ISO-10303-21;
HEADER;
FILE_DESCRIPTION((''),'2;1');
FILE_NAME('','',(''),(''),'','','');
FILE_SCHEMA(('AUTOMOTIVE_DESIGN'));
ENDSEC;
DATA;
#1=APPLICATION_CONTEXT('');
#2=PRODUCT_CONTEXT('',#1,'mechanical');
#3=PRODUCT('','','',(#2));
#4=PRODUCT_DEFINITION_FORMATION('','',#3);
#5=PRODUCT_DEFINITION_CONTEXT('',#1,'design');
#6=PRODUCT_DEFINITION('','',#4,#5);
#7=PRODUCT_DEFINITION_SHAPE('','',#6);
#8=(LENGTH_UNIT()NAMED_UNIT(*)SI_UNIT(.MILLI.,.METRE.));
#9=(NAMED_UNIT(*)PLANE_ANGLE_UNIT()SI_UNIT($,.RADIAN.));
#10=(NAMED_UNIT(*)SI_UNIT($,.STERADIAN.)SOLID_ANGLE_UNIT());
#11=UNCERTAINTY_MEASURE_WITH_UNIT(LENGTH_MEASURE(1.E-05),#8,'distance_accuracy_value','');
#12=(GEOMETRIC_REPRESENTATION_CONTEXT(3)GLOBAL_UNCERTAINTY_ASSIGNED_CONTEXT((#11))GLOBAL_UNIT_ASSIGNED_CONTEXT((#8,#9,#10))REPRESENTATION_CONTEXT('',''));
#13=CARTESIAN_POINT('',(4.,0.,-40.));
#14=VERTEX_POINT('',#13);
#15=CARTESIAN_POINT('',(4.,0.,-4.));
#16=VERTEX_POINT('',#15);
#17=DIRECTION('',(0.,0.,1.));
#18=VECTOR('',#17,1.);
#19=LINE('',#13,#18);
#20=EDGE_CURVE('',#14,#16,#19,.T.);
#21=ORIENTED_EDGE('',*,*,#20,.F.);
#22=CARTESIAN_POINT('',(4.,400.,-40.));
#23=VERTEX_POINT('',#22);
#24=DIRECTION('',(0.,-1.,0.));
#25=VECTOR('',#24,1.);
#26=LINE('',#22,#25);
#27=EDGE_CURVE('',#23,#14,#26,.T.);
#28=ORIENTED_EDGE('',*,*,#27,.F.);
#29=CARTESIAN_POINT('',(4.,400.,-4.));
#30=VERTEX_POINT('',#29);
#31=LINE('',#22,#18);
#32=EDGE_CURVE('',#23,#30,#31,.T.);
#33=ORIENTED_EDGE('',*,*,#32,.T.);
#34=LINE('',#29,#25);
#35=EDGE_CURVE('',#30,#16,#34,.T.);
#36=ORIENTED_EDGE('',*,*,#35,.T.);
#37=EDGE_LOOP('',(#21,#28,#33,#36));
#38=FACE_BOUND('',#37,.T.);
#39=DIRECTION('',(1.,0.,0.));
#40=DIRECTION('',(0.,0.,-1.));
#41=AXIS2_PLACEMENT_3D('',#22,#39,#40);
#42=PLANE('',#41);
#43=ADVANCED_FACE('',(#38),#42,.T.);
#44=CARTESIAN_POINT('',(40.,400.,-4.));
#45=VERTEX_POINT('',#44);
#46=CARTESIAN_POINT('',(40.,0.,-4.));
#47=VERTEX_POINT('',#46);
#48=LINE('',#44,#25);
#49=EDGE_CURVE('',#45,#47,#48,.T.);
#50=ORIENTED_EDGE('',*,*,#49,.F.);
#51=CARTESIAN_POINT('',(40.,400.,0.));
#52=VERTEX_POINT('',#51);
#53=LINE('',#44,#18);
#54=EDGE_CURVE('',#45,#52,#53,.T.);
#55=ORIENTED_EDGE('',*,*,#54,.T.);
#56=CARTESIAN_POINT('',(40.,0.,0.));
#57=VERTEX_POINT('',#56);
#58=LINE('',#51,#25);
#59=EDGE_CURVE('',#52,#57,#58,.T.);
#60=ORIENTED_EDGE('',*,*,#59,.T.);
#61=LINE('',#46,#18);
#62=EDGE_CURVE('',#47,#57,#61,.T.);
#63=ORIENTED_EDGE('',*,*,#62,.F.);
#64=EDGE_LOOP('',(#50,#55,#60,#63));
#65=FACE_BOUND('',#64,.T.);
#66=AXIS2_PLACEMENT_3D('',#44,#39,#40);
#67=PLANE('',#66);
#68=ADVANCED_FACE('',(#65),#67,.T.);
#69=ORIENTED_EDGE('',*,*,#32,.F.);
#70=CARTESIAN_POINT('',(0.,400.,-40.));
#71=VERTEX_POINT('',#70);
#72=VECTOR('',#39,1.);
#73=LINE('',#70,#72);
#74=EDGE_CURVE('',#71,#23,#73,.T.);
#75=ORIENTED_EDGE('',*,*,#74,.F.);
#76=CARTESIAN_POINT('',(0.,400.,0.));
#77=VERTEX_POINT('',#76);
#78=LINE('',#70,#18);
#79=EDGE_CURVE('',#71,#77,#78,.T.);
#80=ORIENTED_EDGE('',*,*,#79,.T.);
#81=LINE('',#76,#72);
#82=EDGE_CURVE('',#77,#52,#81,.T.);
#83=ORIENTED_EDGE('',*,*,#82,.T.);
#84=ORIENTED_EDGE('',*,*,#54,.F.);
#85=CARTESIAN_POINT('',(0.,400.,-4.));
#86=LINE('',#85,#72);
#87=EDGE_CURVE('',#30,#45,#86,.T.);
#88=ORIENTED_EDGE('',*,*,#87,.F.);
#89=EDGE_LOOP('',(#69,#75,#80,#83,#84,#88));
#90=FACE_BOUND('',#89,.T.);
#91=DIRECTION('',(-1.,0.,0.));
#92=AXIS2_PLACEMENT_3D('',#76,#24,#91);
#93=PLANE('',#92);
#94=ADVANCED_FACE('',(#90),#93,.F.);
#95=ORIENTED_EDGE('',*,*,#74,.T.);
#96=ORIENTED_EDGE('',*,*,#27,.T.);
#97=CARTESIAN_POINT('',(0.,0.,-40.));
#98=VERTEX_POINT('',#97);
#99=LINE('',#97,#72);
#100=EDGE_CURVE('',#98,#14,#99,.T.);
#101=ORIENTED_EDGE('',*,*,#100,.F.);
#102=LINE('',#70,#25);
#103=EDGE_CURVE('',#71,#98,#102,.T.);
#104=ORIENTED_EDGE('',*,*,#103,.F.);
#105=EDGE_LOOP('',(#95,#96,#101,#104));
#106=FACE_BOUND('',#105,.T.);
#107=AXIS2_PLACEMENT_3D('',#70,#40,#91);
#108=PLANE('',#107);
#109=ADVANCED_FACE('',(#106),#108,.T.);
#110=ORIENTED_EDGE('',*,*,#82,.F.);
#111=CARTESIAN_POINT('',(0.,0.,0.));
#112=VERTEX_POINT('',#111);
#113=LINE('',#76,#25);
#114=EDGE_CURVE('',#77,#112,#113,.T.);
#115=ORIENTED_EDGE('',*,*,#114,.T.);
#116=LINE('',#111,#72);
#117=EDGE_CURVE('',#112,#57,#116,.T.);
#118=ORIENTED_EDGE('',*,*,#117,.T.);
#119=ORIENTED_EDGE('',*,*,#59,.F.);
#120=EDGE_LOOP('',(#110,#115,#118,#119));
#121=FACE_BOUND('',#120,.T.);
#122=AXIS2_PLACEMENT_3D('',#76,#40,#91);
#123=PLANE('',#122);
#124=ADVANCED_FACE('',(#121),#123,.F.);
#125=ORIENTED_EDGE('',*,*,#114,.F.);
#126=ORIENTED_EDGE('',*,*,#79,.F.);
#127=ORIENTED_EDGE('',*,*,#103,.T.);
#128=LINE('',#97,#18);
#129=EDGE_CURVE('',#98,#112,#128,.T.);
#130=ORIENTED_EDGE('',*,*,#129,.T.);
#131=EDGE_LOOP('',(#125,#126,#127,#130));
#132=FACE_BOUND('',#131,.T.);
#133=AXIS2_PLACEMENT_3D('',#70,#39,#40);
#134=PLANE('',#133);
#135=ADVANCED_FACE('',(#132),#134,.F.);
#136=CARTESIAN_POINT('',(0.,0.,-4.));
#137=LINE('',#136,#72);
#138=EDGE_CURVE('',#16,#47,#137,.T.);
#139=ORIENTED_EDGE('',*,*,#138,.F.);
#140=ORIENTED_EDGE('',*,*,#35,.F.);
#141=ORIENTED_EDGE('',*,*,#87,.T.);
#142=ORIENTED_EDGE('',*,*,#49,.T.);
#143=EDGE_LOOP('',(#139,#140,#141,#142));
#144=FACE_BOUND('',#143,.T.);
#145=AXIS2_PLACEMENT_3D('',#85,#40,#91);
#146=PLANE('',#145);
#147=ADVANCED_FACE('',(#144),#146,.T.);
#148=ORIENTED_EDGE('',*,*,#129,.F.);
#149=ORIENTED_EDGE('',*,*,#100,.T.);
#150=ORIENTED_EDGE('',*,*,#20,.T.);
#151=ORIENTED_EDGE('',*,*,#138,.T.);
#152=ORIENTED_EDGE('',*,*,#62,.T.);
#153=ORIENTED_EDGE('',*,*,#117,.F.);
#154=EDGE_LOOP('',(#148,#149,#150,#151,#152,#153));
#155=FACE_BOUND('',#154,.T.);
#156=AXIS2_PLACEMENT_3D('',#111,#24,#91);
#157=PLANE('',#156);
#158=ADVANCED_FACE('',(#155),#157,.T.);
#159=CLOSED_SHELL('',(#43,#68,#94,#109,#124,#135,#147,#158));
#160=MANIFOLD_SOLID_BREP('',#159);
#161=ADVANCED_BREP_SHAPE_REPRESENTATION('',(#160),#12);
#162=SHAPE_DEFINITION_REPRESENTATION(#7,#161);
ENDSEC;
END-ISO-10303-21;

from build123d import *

# Parameters (mm, degrees)
EXTRUDE_1_DEPTH = 400


with BuildPart() as part:
    # Эскиз1 → Вытянуть-Тонкостенный1 (new body)
    with BuildSketch(Plane(origin=(0, 0, 0), x_dir=(1, 0, 0), z_dir=(0, 1, 0))):
        Polygon((0, 40), (0, 0), (40, 0), (40, 4), (4, 4), (4, 40), align=None)
    extrude(amount=EXTRUDE_1_DEPTH)


solid = part.part
